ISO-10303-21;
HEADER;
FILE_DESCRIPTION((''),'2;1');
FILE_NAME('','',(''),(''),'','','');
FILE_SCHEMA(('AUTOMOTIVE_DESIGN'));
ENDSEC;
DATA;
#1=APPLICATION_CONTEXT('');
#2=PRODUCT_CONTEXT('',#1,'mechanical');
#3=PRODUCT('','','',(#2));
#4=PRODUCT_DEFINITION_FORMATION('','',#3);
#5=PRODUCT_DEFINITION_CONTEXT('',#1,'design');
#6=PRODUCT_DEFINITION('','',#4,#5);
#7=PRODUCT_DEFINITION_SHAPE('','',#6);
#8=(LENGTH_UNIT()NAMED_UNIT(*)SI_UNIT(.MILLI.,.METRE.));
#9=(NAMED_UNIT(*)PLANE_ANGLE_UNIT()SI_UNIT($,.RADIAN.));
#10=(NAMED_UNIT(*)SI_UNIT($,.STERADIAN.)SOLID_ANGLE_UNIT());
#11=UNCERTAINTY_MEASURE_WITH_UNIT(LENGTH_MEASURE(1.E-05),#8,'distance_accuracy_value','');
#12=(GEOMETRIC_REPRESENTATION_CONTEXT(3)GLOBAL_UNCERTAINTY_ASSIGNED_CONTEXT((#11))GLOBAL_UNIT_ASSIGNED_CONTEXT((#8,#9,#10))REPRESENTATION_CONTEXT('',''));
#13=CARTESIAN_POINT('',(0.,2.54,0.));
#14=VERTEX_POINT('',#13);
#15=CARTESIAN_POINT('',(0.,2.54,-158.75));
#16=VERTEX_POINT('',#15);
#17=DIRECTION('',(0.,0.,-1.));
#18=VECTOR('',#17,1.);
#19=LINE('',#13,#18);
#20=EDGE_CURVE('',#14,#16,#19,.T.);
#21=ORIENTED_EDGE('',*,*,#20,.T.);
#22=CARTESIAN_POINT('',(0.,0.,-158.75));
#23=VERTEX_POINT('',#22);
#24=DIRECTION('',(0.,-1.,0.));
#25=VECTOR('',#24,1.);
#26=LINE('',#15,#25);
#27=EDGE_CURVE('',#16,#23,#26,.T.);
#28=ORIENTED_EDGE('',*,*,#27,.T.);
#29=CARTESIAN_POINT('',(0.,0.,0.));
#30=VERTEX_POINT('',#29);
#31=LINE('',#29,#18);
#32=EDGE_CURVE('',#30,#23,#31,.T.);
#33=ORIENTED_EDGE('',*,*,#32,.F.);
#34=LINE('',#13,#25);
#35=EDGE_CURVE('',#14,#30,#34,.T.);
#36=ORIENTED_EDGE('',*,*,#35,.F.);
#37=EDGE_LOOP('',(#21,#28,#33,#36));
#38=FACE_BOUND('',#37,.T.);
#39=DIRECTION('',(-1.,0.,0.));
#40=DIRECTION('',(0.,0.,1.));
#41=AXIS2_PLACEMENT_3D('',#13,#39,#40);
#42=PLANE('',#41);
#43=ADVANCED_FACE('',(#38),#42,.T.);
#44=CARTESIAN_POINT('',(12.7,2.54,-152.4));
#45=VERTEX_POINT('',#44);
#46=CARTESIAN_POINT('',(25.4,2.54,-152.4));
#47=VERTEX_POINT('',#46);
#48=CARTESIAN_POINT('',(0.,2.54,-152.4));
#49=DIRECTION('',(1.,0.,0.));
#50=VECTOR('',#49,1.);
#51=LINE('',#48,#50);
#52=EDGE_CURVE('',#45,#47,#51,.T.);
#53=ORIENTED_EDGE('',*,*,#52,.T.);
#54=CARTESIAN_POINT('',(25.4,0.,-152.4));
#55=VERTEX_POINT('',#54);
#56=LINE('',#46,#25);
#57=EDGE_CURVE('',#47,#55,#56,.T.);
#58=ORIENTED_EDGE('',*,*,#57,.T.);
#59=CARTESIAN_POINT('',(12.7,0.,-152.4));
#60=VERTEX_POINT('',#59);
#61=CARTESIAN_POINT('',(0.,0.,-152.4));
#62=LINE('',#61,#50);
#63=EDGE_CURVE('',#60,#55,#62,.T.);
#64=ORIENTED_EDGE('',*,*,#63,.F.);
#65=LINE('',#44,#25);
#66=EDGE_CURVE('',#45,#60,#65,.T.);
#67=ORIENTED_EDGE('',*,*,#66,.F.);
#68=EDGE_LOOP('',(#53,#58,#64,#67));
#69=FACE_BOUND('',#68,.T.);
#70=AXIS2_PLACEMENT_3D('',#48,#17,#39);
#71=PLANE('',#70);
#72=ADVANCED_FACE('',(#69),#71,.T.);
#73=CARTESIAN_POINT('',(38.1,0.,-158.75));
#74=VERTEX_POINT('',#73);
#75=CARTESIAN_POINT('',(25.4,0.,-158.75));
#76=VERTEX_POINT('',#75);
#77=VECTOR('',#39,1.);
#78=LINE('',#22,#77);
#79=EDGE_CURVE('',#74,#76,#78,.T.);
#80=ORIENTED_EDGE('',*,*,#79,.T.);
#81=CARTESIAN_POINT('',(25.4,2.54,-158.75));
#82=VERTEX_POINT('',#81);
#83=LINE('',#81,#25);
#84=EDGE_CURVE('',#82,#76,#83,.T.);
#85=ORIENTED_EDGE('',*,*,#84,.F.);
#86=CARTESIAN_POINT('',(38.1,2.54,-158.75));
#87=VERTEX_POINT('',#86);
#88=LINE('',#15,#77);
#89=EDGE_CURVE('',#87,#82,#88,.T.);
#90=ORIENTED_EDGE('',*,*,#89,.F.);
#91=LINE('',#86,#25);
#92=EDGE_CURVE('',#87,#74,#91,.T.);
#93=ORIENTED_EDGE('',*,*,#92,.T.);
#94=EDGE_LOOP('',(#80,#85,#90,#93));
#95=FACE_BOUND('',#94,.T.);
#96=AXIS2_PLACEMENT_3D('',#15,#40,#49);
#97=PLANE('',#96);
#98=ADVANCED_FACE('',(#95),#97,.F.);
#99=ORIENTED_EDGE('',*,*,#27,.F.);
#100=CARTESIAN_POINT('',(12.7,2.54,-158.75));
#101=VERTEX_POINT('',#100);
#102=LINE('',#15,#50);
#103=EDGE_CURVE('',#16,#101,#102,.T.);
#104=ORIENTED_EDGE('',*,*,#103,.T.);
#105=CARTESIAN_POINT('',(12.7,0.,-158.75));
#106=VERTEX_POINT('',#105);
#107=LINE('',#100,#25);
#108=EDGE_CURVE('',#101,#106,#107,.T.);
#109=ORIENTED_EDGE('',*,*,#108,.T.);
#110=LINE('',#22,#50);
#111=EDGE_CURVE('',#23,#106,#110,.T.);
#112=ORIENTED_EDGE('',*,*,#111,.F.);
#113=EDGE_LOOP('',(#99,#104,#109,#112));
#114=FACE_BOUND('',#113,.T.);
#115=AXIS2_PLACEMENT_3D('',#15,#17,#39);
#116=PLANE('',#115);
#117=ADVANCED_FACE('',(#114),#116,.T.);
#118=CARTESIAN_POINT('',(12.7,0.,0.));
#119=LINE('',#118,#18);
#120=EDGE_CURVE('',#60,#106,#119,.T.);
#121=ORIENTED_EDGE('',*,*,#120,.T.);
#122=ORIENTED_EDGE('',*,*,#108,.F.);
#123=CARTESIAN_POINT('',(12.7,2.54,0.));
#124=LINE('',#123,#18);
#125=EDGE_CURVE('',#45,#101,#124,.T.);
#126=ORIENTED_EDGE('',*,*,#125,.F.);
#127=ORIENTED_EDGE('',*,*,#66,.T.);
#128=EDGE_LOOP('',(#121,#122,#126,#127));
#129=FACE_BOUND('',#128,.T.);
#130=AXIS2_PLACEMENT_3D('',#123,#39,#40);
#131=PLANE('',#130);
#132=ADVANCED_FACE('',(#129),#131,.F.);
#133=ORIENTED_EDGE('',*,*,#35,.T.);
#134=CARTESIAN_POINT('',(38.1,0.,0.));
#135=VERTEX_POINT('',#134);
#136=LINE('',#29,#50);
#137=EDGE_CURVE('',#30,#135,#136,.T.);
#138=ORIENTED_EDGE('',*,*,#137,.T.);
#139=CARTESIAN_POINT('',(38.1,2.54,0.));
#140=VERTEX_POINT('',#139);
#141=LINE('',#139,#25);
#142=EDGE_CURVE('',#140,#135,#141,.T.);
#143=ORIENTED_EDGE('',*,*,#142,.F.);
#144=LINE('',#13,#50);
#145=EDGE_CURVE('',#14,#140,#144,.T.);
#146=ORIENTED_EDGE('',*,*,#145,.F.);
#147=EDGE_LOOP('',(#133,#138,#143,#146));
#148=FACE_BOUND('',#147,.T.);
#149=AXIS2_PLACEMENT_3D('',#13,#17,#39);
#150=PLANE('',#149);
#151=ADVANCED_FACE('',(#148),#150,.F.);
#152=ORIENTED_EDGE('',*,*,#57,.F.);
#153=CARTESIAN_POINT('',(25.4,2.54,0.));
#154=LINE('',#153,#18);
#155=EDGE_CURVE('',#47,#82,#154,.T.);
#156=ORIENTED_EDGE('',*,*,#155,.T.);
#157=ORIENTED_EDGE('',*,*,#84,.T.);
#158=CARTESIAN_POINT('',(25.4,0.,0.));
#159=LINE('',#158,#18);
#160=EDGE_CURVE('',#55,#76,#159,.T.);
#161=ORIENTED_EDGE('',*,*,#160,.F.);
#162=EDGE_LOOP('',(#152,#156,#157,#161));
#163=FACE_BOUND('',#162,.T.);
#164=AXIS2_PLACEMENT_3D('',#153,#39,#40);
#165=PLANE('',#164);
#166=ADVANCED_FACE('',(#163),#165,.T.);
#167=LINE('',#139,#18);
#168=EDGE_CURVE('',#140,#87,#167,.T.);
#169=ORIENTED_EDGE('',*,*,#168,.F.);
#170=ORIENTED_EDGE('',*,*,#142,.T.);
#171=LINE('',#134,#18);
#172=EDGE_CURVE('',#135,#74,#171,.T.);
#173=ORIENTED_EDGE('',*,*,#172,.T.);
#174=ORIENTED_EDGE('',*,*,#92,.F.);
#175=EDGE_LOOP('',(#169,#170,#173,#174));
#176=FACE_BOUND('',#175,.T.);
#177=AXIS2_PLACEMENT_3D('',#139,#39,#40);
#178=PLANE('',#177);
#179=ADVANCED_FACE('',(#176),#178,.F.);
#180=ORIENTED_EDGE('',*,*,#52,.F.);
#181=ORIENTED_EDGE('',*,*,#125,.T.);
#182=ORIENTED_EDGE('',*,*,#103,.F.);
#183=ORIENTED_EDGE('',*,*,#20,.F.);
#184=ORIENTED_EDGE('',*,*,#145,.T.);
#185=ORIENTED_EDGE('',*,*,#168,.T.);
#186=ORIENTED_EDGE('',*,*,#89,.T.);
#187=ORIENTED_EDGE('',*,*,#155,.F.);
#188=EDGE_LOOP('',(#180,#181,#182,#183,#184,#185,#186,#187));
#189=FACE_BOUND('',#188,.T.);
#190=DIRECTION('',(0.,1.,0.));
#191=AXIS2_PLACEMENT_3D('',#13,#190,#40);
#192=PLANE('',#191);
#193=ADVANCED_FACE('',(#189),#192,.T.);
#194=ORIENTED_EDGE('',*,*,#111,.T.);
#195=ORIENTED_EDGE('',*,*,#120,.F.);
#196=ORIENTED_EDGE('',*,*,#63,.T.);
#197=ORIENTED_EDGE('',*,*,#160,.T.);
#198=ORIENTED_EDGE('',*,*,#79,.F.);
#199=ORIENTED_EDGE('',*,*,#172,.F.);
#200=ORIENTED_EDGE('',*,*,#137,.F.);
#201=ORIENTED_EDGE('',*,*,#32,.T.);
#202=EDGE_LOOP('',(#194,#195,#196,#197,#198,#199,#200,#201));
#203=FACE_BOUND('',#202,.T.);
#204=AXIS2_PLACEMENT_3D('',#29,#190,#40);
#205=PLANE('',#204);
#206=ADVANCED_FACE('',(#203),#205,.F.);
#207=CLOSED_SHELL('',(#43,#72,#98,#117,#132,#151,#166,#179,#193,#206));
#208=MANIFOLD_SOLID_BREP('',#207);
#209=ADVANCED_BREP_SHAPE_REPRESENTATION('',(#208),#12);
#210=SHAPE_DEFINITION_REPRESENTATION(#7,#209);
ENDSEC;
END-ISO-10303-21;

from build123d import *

# Parameters (mm, degrees)
SKETCH1_W           = 38.1
SKETCH1_H           = 152.4
SKETCH1_W_2         = 12.7
SKETCH1_H_2         = 6.35
BOSS_EXTRUDE1_DEPTH = 2.54


with BuildPart() as part:
    # Sketch1 → Boss-Extrude1 (new body)
    with BuildSketch(Plane(origin=(0, 0, 0), x_dir=(1, 0, 0), z_dir=(0, 1, 0))):
        with Locations((19.05, 76.2)):
            Rectangle(SKETCH1_W, SKETCH1_H)
        with Locations((6.35, 155.575)):
            Rectangle(SKETCH1_W_2, SKETCH1_H_2)
        with Locations((31.75, 155.575)):
            Rectangle(SKETCH1_W_2, SKETCH1_H_2)
    extrude(amount=BOSS_EXTRUDE1_DEPTH)


solid = part.part
